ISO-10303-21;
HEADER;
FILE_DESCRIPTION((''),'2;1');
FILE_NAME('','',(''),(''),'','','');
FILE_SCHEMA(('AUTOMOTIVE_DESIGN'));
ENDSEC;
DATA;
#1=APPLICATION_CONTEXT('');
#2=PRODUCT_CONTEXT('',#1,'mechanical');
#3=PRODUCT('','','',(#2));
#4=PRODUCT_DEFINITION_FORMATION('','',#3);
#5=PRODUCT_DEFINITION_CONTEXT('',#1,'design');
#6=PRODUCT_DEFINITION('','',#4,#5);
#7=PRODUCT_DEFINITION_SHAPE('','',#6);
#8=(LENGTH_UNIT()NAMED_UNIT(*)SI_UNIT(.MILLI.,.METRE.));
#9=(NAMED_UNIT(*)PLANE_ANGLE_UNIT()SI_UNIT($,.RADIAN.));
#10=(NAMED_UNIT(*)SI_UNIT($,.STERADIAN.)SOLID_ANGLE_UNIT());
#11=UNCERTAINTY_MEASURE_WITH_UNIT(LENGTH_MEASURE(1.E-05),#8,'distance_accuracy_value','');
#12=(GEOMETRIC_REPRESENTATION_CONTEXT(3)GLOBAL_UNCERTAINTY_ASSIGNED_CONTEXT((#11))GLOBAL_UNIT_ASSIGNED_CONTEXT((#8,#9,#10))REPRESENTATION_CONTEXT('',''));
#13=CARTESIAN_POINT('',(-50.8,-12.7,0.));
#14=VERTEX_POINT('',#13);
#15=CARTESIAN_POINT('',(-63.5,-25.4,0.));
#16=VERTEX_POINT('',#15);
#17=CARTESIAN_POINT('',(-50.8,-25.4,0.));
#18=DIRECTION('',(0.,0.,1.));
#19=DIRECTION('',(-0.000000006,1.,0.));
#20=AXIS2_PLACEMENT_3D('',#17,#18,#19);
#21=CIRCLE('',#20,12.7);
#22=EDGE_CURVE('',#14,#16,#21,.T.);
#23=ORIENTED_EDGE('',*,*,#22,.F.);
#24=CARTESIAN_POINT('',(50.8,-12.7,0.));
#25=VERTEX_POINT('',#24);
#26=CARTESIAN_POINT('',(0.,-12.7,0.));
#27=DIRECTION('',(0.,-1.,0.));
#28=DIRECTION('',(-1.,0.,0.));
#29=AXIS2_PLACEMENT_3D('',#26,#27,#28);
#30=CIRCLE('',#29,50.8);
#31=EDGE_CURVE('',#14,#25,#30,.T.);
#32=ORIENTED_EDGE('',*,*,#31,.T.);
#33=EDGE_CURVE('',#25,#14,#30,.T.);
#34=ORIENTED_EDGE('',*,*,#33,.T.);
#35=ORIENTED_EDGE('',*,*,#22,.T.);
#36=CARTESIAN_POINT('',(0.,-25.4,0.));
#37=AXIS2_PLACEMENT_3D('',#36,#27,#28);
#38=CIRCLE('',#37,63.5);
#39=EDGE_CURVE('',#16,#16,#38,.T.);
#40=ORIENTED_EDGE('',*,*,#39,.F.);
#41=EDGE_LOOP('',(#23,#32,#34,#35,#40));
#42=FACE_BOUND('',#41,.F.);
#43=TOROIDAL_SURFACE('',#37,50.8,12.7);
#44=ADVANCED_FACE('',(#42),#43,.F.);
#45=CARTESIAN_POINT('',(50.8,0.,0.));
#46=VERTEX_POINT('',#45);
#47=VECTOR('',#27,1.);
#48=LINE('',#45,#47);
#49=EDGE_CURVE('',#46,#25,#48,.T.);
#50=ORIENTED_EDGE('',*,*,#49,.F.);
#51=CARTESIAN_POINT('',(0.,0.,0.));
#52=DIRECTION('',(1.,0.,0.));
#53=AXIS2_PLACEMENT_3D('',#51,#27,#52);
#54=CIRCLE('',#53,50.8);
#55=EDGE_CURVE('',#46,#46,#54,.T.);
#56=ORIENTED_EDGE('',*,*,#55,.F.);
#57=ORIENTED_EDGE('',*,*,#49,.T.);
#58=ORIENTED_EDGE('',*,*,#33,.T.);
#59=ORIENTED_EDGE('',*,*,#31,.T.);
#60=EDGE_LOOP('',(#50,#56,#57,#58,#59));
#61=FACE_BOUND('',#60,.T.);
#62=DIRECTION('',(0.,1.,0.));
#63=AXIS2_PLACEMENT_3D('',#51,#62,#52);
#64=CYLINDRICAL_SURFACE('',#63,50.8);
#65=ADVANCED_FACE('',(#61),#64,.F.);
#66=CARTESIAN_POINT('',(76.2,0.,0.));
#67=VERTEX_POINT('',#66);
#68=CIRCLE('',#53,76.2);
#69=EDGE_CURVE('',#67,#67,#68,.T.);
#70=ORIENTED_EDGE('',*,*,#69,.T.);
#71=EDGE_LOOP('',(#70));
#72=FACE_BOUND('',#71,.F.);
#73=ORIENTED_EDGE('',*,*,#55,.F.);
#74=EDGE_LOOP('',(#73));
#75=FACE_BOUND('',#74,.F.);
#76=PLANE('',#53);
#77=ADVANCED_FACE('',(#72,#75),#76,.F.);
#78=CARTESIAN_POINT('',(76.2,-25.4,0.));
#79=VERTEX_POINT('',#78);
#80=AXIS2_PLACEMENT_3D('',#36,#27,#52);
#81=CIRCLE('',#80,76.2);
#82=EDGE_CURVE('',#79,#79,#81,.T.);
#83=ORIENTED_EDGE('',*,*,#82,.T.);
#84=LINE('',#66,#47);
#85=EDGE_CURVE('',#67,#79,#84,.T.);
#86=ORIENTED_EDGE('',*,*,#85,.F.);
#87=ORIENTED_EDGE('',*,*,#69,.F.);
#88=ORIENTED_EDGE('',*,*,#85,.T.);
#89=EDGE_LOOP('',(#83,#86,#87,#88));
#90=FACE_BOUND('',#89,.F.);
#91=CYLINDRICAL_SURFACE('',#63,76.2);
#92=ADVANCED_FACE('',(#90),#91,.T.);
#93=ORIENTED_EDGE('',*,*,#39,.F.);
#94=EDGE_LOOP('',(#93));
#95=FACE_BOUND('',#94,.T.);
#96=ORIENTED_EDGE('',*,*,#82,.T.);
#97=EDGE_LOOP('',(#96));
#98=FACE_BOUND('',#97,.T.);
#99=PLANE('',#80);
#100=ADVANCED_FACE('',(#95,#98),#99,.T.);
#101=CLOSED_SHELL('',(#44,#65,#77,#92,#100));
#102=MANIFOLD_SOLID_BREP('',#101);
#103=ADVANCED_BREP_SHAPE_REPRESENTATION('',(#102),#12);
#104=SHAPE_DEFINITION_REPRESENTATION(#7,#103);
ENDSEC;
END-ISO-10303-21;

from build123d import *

# Parameters (mm, degrees)
F0_R     = 76.2
F0_R_2   = 50.8
F1_DEPTH = 25.4


with BuildPart() as f1:
    # F0 (on Front) → F1 (new body)
    with BuildSketch(Plane.XZ):
        Circle(F0_R)
        Circle(F0_R_2, mode=Mode.SUBTRACT)
    extrude(amount=F1_DEPTH)

    # F2 (on Top) → F3 (revolve, cut)
    with BuildSketch(Plane.XY):
        with BuildLine():
            ThreePointArc((-50.8, -12.7), (-59.780256, -34.380256), (-38.1, -25.4))
            ThreePointArc((-38.1, -25.4), (-41.819744, -16.419744), (-50.8, -12.7))
        make_face()
    revolve(axis=Axis((0, -11.575565, 0), (0, -1, 0)), mode=Mode.SUBTRACT)


solid = f1.part
